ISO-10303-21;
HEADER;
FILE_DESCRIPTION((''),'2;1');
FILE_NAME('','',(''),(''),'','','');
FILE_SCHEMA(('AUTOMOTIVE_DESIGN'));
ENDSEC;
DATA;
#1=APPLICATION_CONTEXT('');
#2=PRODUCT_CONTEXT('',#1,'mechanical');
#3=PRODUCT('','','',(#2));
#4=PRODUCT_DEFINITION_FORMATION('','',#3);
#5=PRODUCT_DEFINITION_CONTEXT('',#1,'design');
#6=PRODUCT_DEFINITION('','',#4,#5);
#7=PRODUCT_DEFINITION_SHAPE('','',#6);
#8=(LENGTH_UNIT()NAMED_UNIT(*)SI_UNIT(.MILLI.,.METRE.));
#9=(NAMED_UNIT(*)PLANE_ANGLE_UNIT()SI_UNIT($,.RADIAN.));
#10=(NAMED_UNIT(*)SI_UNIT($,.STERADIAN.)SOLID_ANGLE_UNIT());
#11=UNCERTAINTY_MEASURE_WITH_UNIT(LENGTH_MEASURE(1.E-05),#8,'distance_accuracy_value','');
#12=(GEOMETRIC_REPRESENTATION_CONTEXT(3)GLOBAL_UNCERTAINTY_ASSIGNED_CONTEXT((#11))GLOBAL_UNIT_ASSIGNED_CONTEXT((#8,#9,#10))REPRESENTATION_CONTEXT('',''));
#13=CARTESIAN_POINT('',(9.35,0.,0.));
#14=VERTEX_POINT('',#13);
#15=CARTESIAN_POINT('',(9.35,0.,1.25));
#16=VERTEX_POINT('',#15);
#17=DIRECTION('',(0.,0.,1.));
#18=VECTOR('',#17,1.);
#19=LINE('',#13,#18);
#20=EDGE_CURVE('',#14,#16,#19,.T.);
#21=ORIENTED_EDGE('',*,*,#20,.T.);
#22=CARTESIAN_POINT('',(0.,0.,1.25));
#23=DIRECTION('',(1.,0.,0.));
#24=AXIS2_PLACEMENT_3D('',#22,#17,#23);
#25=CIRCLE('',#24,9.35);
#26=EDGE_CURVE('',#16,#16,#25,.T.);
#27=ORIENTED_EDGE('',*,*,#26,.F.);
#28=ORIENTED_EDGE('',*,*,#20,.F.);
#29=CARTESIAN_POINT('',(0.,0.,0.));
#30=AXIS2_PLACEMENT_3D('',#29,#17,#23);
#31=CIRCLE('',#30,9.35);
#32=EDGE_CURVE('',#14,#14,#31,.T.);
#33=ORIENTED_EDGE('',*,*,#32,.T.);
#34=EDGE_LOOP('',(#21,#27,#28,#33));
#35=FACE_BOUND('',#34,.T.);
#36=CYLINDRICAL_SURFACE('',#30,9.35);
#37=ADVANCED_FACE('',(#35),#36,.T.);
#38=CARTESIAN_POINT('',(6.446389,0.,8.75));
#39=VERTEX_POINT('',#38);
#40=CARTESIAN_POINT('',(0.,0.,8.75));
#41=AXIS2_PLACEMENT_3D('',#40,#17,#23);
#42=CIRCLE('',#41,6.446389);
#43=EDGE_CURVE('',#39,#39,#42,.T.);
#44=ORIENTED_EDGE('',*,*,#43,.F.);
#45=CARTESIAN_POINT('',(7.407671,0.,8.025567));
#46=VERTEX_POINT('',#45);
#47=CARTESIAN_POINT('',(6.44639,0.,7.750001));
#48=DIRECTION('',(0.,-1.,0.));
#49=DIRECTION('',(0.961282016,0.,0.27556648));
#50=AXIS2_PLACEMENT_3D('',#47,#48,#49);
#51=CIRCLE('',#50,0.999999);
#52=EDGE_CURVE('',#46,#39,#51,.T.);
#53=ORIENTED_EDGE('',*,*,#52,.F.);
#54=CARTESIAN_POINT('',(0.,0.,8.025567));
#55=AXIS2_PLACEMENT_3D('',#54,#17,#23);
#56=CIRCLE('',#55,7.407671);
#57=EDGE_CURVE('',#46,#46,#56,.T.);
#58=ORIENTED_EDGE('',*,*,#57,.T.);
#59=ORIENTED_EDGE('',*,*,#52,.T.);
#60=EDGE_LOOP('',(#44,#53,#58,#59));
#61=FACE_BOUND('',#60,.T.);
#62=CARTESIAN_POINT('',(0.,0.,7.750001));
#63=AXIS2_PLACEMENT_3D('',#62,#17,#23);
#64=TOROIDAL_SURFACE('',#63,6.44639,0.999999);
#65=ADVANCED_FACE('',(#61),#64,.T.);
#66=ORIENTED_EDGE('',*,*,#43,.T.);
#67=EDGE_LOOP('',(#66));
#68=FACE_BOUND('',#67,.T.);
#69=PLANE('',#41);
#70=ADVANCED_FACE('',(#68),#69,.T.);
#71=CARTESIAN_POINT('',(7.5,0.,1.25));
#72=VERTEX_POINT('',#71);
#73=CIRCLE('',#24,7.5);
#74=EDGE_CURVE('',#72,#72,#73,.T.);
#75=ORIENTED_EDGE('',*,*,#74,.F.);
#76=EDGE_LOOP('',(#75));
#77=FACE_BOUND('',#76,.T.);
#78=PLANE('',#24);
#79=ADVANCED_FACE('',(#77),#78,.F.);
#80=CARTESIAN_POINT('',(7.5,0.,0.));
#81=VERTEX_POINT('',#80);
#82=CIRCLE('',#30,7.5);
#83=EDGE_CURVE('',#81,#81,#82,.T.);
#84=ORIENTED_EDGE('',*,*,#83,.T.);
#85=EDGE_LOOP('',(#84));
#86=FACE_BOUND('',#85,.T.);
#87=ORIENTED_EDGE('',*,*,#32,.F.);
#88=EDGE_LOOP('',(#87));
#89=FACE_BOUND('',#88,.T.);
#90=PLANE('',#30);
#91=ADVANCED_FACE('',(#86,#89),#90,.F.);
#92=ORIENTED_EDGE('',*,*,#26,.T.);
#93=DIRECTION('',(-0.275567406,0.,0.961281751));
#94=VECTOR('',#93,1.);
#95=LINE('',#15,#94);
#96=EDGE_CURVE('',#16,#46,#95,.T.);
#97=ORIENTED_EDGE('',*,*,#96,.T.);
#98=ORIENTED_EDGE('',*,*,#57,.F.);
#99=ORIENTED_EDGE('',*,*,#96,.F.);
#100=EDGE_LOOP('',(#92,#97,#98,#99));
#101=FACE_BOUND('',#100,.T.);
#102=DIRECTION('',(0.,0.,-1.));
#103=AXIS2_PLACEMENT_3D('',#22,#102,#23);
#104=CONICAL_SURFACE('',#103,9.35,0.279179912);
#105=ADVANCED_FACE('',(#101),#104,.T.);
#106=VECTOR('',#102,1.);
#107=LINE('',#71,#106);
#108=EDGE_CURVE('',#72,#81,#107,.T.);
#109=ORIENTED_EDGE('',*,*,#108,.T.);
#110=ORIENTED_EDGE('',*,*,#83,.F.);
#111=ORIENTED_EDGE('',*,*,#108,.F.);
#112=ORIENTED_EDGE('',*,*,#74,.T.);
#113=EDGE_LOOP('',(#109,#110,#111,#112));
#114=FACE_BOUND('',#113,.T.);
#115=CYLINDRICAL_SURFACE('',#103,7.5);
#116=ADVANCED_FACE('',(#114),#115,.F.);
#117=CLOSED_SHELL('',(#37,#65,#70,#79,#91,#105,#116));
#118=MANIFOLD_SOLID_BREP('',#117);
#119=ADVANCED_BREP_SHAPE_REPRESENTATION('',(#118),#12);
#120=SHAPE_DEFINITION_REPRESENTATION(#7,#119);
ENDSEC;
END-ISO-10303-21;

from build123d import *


with BuildPart() as f1:
    # F0 (on Front) → F1 (revolve)
    with BuildSketch(Plane.XZ):
        with BuildLine():
            Line((6.446389, 8.75), (0, 8.75))
            Line((0, 8.75), (0, 1.25))
            Line((0, 1.25), (7.5, 1.25))
            Line((7.5, 1.25), (7.5, 0))
            Line((7.5, 0), (9.35, 0))
            Line((9.35, 0), (9.35, 1.25))
            Line((9.35, 1.25), (7.407671, 8.025567))
            ThreePointArc((7.407671, 8.025567), (7.048233, 8.548614), (6.446389, 8.75))
        make_face()
    revolve(axis=Axis((0, 0, 5), (0, 0, 1)))


solid = f1.part
